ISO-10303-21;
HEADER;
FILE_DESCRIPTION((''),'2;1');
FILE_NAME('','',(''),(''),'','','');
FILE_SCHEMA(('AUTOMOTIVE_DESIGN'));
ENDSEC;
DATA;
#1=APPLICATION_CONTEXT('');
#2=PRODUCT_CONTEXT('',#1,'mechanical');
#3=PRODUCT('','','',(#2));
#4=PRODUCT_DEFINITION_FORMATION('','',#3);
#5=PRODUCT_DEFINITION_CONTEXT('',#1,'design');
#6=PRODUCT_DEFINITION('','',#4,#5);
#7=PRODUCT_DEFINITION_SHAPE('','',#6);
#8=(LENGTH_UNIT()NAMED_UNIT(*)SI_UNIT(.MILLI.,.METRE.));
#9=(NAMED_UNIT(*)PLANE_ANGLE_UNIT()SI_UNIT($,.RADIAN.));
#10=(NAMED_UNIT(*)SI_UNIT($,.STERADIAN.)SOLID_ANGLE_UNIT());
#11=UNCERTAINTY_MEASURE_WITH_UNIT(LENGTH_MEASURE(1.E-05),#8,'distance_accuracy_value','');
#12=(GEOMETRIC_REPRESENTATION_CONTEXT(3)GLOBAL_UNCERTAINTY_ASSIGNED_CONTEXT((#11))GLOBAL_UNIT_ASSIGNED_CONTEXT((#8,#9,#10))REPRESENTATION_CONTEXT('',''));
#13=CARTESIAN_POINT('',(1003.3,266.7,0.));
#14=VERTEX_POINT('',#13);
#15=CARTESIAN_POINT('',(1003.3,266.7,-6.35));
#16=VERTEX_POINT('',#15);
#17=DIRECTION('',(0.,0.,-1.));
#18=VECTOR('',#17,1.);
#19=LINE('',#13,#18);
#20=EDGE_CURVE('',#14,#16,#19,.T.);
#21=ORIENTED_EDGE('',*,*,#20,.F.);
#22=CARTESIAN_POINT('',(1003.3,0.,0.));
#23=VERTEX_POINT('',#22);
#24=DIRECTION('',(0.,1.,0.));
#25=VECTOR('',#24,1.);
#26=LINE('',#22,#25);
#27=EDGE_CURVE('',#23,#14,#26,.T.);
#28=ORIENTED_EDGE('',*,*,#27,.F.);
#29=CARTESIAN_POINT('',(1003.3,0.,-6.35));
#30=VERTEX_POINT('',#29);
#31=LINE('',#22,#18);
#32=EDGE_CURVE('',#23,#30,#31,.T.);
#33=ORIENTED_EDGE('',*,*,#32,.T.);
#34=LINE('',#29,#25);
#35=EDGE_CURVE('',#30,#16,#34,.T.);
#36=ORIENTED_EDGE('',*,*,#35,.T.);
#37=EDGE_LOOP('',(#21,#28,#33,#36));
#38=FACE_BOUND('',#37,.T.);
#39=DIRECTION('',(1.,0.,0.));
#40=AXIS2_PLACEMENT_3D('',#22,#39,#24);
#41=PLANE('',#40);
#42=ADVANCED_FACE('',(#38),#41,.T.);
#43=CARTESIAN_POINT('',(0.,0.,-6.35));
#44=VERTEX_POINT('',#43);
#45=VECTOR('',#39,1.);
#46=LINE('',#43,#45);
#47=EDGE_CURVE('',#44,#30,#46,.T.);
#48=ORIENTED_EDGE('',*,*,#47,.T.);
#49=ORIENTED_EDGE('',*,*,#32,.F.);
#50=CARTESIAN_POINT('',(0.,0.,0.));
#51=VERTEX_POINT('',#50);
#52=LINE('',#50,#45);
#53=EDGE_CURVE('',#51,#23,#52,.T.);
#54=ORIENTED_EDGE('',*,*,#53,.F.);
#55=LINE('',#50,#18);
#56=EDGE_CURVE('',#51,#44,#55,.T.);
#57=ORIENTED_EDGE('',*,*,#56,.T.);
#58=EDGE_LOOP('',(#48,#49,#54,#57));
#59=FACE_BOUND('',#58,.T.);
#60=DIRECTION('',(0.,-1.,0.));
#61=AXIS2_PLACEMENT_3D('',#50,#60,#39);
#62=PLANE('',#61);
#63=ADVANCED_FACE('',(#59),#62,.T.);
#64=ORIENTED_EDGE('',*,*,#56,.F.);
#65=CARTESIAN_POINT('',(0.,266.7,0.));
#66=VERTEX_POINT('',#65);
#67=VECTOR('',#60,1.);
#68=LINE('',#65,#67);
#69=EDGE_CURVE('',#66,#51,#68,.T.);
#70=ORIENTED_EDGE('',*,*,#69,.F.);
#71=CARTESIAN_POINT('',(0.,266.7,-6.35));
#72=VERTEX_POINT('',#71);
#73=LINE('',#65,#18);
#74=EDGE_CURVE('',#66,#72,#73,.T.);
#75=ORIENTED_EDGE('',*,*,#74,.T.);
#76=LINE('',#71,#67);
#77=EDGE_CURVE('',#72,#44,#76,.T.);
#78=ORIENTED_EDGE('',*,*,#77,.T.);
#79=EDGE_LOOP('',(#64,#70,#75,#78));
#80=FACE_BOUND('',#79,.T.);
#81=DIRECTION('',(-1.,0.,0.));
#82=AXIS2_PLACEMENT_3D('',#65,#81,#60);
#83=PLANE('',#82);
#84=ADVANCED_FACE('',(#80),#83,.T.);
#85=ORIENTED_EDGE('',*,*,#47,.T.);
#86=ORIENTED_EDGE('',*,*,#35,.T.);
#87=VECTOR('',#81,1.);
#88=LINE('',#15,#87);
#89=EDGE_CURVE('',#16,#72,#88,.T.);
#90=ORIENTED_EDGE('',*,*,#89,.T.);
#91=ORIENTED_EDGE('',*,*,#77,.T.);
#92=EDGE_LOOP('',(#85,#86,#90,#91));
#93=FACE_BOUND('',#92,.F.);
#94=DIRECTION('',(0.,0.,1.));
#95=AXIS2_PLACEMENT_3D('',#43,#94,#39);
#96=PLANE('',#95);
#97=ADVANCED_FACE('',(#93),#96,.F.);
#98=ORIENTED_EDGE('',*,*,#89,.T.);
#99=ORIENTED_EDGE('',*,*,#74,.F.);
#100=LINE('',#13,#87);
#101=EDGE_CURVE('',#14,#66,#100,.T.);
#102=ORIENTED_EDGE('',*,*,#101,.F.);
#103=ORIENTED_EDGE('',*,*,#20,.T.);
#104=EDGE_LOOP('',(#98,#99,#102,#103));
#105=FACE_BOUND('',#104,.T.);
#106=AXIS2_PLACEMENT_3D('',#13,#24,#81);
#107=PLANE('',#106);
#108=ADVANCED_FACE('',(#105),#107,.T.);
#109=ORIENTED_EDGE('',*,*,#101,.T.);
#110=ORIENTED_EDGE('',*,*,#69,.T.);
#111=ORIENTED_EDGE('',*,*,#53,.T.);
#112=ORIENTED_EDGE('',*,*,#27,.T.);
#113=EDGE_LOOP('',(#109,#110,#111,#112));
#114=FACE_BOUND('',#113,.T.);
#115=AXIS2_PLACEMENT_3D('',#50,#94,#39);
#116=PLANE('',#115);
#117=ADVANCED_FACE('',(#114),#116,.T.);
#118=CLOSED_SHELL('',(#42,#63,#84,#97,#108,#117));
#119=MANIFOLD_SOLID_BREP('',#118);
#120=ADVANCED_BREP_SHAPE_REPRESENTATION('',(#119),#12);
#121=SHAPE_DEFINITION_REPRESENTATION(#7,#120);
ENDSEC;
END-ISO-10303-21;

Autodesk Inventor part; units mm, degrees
ref_plane "YZ Plane" through (0, 0, 0) normal (1, 0, 0) x (0, 1, 0)
ref_plane "XZ Plane" through (0, 0, 0) normal (0, 1, 0) x (-1, 0, 0)
ref_plane "XY Plane" through (0, 0, 0) normal (0, 0, 1) x (1, 0, 0)
sketch "Sketch1" plane through (0, 0, 0) normal (0, 0, 1) x (1, 0, 0)
  line L0 (1003.3, 266.7) -> (0, 266.7)
  line L1 (0, 266.7) -> (0, 0)
  line L2 (0, 0) -> (1003.3, 0)
  line L3 (1003.3, 0) -> (1003.3, 266.7)
  dimension "d0" = 1003.3
  dimension "d1" = 266.7
extrude "Extrusion1" add sketch "Sketch1" against normal blind 6.35
properties part number "front face"
